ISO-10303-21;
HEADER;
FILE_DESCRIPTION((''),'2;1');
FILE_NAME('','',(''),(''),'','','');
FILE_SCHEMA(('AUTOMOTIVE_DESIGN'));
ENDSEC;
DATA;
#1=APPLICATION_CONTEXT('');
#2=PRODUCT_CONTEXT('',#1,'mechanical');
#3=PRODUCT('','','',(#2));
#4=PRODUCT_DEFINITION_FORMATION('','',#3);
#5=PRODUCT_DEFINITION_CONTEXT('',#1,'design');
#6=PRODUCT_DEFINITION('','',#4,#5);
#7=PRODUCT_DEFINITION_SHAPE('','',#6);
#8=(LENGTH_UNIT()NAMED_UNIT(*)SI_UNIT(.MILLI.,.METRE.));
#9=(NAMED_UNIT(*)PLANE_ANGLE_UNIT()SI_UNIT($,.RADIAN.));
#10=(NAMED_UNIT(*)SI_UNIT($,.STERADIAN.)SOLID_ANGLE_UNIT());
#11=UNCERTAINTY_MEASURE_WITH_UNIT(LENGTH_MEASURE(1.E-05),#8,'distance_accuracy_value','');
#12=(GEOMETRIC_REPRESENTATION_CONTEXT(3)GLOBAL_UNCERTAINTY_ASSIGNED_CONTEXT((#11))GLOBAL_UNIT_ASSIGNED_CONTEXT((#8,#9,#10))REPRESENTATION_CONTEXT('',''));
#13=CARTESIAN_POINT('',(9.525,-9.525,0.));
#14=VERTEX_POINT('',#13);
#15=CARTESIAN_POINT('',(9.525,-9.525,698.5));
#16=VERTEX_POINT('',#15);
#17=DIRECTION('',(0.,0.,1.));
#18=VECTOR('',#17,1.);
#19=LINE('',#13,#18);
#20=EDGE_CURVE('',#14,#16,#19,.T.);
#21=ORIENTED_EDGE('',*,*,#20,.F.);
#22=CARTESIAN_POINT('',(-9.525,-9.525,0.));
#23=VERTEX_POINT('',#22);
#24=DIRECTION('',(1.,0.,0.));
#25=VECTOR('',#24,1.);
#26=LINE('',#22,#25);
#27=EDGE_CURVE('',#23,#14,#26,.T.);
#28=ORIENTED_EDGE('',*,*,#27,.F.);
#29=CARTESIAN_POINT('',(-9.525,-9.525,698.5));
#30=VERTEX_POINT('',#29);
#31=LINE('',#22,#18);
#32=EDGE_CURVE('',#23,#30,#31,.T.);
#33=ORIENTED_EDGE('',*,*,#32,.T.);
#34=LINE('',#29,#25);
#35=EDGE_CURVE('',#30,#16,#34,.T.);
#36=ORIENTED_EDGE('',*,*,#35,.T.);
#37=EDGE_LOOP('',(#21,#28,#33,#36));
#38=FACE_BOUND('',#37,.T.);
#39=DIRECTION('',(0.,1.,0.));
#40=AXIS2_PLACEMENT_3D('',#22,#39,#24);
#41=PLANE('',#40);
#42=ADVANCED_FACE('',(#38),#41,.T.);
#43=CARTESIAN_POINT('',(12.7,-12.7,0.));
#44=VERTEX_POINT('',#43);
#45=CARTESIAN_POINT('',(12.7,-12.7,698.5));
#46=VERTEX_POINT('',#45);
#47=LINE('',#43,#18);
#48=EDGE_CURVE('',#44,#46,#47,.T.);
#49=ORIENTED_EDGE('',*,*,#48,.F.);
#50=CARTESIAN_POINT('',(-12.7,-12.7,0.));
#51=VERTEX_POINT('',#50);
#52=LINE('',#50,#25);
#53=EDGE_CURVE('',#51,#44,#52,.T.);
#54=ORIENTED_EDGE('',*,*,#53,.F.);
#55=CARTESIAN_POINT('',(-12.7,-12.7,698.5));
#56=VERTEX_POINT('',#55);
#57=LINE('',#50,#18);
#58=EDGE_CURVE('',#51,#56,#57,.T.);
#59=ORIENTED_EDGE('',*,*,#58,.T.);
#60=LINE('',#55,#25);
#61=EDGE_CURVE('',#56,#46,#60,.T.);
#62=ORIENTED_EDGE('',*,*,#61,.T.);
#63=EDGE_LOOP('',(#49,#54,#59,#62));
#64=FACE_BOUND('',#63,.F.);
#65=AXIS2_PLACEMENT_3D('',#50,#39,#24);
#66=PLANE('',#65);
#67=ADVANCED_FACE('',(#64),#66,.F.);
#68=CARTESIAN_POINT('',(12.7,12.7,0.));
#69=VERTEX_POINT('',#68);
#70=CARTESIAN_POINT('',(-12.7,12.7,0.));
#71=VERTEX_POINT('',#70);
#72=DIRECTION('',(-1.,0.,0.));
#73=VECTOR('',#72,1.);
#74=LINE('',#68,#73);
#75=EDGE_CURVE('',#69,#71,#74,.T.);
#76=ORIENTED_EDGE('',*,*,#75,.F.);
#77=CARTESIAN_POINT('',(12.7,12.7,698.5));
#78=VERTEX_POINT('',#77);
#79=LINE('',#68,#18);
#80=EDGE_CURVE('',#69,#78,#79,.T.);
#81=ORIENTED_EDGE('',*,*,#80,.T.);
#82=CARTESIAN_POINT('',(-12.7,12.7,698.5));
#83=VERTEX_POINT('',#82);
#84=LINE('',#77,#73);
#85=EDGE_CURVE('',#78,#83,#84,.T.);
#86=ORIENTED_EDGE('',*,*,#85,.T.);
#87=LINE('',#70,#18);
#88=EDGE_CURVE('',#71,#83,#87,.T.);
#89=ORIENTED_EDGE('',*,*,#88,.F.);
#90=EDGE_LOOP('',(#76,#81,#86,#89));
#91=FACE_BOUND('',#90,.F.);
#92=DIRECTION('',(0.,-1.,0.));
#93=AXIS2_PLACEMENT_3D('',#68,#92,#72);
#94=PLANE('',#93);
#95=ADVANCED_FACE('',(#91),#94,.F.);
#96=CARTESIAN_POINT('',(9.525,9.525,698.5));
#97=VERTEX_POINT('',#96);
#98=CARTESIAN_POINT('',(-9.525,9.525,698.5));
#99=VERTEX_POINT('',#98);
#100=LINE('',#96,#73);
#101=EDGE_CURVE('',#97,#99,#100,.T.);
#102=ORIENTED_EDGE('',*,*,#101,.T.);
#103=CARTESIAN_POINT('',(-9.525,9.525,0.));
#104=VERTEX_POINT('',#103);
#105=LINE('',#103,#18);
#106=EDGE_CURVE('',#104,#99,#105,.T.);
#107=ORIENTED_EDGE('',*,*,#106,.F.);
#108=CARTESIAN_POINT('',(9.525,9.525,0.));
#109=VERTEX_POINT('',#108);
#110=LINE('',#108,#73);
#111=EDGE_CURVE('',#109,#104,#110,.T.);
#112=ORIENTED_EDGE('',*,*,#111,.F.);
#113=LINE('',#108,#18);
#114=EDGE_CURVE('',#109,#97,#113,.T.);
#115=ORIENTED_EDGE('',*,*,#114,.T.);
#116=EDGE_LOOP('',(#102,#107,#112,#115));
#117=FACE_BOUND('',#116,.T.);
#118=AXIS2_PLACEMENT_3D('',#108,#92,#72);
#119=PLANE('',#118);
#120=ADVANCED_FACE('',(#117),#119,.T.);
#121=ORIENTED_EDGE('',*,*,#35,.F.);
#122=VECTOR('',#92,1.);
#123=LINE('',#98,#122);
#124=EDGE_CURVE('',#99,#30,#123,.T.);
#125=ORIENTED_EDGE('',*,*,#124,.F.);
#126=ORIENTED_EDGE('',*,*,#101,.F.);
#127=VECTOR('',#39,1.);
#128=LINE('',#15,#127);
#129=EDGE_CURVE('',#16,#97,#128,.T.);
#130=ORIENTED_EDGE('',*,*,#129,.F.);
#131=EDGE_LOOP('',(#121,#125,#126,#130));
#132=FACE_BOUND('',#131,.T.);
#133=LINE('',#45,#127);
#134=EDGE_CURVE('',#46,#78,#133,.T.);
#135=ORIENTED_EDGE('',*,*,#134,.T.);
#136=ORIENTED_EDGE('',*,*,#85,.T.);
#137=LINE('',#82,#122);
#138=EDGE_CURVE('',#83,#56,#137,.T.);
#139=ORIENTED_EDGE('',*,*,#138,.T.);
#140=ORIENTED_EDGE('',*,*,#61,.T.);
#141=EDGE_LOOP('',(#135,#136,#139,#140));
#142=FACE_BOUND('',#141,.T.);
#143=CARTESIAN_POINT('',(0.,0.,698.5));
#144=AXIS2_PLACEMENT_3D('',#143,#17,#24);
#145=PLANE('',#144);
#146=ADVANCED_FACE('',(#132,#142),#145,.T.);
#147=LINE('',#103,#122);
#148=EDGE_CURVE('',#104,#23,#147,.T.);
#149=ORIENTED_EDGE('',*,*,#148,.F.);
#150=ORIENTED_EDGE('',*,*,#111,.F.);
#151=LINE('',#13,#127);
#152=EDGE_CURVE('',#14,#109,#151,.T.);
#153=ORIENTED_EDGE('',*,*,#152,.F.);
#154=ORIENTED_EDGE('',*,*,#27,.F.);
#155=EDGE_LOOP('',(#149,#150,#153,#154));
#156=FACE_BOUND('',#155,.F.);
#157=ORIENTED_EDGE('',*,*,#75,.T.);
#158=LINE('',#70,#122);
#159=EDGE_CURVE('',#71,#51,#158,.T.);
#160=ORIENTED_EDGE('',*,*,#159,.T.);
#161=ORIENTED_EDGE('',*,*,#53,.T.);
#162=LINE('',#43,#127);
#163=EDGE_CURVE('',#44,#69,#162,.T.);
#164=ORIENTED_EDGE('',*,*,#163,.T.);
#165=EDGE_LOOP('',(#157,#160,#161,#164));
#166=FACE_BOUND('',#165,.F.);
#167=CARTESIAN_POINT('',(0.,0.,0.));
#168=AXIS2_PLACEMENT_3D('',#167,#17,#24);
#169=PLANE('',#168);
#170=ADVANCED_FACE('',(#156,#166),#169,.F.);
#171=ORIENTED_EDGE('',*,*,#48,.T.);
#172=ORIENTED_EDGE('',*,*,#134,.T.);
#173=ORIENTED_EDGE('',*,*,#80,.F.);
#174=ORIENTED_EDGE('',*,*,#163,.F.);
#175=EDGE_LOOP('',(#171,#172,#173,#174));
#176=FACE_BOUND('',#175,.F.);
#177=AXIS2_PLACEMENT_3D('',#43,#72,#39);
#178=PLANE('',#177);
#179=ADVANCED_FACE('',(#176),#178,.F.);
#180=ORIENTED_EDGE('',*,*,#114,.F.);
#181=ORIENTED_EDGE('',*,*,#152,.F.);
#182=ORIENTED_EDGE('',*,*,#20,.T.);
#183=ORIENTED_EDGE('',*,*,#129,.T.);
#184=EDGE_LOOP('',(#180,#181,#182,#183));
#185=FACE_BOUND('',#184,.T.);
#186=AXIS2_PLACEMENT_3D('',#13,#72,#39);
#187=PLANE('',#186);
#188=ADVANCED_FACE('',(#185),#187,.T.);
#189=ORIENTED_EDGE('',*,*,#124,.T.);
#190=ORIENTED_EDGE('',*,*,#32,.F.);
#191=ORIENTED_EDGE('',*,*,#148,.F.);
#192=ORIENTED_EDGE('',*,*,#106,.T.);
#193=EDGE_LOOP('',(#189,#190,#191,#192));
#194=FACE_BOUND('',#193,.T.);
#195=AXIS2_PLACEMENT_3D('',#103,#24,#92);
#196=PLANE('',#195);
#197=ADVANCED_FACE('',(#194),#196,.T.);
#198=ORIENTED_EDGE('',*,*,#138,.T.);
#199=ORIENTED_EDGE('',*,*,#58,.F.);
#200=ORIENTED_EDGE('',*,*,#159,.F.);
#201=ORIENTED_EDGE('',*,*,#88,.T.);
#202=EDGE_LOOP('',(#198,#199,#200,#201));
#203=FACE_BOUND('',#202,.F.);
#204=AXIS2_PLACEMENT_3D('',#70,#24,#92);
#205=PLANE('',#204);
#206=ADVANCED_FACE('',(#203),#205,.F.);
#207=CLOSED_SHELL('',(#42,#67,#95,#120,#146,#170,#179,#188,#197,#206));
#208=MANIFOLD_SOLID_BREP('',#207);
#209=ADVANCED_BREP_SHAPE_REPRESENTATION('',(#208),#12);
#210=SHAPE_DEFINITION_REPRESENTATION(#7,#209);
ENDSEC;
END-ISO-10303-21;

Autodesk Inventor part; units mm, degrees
ref_plane "YZ Plane" through (0, 0, 0) normal (1, 0, 0) x (0, 1, 0)
ref_plane "XZ Plane" through (0, 0, 0) normal (0, 1, 0) x (-1, 0, 0)
ref_plane "XY Plane" through (0, 0, 0) normal (0, 0, 1) x (1, 0, 0)
sketch "Sketch1" plane through (0, 0, 0) normal (0, 0, 1) x (1, 0, 0)
  line L0 (-12.7, 12.7) -> (-12.7, -12.7)
  line L1 (-12.7, -12.7) -> (12.7, -12.7)
  line L2 (12.7, -12.7) -> (12.7, 12.7)
  line L3 (12.7, 12.7) -> (-12.7, 12.7)
  line L4 (-9.525, 9.525) -> (-9.525, -9.525)
  line L5 (-9.525, -9.525) -> (9.525, -9.525)
  line L6 (9.525, -9.525) -> (9.525, 9.525)
  line L7 (9.525, 9.525) -> (-9.525, 9.525)
  point P0 (0, 0)
  dimension "d0" = 25.4
  dimension "d1" = 25.4
  dimension "d2" = 12.7
  dimension "d3" = 12.7
  dimension "d4" = 3.175
extrude "Extrusion1" add sketch "Sketch1" along normal blind 698.5
properties part number "27 in sq frame"
